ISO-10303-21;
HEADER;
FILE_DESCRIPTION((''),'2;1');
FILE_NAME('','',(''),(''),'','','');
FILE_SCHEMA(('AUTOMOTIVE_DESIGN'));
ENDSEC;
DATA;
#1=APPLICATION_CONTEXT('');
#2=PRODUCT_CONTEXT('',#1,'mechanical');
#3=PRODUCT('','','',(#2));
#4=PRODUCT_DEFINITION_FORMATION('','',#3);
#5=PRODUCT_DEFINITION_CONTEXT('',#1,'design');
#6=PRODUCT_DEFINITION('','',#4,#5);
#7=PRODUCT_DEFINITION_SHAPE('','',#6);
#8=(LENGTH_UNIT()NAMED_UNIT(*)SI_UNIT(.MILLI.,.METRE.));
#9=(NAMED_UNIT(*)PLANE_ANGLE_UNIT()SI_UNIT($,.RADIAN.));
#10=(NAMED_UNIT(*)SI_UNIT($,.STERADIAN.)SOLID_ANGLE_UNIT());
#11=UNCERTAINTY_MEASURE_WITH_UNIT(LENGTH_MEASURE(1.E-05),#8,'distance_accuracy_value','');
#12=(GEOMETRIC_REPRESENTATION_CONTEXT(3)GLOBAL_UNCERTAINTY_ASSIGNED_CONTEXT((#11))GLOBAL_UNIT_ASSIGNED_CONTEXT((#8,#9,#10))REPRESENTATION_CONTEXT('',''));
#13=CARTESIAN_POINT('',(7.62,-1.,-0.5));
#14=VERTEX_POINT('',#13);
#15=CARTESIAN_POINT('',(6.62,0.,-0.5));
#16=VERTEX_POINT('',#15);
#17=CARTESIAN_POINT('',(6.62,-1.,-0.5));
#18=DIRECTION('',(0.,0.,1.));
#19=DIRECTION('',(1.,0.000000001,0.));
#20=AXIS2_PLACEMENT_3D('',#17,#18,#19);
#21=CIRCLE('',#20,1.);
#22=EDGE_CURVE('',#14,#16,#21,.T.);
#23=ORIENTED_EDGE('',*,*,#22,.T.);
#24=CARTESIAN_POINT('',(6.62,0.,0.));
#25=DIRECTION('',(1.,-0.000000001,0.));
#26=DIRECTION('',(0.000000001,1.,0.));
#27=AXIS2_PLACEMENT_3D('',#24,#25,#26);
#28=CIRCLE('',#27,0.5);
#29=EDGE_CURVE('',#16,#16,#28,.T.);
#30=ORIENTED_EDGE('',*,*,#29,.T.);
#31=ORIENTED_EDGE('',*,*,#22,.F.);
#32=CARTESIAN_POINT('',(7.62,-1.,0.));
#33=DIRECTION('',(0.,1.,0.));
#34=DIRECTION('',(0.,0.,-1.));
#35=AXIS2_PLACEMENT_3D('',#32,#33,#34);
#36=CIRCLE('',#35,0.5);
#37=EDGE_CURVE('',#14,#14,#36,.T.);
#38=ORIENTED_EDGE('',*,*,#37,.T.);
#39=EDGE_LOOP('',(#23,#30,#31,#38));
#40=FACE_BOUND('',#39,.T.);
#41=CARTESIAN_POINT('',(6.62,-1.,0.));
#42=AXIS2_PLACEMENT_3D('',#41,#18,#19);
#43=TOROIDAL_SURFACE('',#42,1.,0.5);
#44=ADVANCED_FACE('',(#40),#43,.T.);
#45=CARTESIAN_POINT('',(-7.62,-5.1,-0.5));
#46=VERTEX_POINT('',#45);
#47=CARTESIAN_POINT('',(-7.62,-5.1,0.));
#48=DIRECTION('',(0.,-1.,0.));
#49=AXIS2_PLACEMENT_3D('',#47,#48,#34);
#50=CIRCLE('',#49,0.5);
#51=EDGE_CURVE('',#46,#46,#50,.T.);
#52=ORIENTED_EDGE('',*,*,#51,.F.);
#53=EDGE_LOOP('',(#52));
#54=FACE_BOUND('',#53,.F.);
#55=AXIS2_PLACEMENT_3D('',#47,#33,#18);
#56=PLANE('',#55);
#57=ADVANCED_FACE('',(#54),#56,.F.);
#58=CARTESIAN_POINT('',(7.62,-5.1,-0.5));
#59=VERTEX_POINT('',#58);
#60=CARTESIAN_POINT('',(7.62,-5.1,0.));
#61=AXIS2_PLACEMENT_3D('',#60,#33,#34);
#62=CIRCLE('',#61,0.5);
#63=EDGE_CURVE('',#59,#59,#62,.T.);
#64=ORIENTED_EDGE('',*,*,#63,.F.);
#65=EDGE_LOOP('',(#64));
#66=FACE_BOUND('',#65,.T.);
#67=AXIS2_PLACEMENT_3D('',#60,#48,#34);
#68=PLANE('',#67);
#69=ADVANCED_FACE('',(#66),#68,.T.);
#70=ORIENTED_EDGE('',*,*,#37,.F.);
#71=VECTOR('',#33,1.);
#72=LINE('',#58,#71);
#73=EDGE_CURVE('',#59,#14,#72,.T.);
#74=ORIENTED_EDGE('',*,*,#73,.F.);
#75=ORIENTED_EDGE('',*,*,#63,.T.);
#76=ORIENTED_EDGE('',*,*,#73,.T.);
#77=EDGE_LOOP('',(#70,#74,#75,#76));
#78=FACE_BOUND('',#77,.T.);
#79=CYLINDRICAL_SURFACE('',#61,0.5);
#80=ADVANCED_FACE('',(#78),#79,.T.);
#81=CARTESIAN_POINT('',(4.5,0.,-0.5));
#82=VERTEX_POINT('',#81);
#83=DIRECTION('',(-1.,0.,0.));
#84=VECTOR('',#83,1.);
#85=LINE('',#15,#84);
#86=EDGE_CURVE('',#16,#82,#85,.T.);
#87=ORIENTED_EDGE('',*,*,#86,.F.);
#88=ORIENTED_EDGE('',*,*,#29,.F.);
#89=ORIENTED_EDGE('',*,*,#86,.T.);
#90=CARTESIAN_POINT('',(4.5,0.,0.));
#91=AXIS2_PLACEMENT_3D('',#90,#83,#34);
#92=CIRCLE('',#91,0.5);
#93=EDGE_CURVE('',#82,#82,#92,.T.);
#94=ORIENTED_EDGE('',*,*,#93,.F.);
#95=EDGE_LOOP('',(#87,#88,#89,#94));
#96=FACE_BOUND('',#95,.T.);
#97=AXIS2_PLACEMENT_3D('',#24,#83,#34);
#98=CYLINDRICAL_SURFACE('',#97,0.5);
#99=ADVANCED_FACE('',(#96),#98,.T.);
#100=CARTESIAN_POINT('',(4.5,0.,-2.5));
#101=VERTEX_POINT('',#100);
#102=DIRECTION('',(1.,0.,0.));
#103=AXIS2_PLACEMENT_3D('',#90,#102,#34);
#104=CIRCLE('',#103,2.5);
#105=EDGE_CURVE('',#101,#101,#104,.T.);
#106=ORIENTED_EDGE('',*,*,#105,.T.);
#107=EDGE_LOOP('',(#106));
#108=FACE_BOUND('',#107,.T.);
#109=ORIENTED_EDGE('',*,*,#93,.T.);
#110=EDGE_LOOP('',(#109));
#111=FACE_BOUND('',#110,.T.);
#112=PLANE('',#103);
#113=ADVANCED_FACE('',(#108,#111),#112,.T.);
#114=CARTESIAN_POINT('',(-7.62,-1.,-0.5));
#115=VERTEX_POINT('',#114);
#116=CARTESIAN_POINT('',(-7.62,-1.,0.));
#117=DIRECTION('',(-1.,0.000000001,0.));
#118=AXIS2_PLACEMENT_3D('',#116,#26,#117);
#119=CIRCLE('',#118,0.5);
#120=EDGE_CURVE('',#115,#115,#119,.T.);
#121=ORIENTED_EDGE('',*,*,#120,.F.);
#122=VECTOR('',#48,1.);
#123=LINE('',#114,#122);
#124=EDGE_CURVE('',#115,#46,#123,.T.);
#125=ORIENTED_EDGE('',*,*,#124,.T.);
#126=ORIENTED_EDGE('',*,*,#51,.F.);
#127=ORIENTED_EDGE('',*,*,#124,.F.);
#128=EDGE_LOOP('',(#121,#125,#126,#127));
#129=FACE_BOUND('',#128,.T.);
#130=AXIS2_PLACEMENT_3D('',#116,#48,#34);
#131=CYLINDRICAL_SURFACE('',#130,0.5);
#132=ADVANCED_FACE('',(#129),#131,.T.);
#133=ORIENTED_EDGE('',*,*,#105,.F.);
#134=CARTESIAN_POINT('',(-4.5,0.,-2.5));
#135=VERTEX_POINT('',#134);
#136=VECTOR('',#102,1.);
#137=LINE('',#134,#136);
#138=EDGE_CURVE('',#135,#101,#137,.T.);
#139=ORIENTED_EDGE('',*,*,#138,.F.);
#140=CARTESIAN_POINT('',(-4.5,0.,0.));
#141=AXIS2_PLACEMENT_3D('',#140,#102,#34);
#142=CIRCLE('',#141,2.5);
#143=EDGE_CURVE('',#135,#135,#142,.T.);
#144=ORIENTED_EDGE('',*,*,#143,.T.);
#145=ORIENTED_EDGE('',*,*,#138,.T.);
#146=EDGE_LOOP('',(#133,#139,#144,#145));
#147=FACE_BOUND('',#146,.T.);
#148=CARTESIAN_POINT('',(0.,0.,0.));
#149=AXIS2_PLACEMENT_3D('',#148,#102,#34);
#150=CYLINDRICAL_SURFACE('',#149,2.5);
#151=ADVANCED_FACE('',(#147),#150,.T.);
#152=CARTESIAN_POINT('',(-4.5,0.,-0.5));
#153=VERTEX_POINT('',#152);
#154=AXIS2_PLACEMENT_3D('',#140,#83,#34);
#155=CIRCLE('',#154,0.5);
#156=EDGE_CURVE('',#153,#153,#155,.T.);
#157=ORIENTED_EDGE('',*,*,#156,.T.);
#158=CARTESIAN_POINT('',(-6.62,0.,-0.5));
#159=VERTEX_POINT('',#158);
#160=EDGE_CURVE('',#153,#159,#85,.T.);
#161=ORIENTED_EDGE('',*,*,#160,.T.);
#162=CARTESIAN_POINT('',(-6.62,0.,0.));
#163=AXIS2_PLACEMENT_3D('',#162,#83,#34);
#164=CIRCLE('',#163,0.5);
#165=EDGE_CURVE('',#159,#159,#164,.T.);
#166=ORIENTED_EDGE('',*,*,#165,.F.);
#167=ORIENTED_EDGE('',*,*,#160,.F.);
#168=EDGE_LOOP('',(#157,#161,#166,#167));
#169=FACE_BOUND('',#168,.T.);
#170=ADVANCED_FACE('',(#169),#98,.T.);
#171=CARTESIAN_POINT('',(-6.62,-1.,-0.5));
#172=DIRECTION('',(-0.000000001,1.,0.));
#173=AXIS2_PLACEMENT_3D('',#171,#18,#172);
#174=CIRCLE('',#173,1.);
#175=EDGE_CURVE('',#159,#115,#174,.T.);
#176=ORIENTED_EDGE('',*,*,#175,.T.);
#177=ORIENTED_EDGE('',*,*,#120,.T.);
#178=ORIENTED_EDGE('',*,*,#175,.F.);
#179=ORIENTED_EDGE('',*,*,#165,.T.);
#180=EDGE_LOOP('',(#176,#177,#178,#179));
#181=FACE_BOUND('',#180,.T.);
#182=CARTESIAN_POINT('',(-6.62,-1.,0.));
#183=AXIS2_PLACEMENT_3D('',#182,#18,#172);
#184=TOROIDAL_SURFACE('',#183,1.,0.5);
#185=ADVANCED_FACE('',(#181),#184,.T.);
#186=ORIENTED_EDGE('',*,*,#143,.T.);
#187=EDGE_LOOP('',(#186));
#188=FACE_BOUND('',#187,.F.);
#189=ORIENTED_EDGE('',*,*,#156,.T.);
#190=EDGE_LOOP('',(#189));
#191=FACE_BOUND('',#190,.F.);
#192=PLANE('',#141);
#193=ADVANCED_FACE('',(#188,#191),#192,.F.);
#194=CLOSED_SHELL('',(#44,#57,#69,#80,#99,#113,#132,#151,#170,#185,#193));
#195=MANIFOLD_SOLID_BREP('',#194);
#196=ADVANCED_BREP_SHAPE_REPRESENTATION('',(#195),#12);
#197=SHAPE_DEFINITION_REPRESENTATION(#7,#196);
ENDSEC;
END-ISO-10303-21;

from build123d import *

# Parameters (mm, degrees)
EXTRUDE_1_DEPTH      = 4.5
EXTRUDE_1_DEPTH_BACK = 4.5
SKETCH_1_R           = 2.5
SKETCH_3_R           = 0.5


with BuildPart() as part:
    # Эскиз1 → Бобышка-Вытянуть1 (new, two sides: drawn at the far end of the back side and taken through both)
    with BuildSketch(Plane(origin=(0, 0, 0), x_dir=(0, 0, -1), z_dir=(1, 0, 0)).offset(-EXTRUDE_1_DEPTH_BACK)):
        Circle(SKETCH_1_R)
    extrude(amount=EXTRUDE_1_DEPTH + EXTRUDE_1_DEPTH_BACK)

    # По траектории1: sweep along a path in Эскиз2
    with BuildLine(Plane.XY) as sweep_1_path:
        Line((7.62, -5.1), (7.62, -1))
        ThreePointArc((7.62, -1), (7.327106781, -0.292893219), (6.62, 0))
        Line((6.62, 0), (-6.62, 0))
        ThreePointArc((-6.62, 0), (-7.327106781, -0.292893219), (-7.62, -1))
        Line((-7.62, -1), (-7.62, -5.1))
    # Эскиз3 → По траектории1 (sweep)
    with BuildSketch(Plane(origin=(4.5, 0, 0), x_dir=(0, 0, -1), z_dir=(1, 0, 0))):
        Circle(SKETCH_3_R)
    sweep(path=sweep_1_path.line)


solid = part.part
